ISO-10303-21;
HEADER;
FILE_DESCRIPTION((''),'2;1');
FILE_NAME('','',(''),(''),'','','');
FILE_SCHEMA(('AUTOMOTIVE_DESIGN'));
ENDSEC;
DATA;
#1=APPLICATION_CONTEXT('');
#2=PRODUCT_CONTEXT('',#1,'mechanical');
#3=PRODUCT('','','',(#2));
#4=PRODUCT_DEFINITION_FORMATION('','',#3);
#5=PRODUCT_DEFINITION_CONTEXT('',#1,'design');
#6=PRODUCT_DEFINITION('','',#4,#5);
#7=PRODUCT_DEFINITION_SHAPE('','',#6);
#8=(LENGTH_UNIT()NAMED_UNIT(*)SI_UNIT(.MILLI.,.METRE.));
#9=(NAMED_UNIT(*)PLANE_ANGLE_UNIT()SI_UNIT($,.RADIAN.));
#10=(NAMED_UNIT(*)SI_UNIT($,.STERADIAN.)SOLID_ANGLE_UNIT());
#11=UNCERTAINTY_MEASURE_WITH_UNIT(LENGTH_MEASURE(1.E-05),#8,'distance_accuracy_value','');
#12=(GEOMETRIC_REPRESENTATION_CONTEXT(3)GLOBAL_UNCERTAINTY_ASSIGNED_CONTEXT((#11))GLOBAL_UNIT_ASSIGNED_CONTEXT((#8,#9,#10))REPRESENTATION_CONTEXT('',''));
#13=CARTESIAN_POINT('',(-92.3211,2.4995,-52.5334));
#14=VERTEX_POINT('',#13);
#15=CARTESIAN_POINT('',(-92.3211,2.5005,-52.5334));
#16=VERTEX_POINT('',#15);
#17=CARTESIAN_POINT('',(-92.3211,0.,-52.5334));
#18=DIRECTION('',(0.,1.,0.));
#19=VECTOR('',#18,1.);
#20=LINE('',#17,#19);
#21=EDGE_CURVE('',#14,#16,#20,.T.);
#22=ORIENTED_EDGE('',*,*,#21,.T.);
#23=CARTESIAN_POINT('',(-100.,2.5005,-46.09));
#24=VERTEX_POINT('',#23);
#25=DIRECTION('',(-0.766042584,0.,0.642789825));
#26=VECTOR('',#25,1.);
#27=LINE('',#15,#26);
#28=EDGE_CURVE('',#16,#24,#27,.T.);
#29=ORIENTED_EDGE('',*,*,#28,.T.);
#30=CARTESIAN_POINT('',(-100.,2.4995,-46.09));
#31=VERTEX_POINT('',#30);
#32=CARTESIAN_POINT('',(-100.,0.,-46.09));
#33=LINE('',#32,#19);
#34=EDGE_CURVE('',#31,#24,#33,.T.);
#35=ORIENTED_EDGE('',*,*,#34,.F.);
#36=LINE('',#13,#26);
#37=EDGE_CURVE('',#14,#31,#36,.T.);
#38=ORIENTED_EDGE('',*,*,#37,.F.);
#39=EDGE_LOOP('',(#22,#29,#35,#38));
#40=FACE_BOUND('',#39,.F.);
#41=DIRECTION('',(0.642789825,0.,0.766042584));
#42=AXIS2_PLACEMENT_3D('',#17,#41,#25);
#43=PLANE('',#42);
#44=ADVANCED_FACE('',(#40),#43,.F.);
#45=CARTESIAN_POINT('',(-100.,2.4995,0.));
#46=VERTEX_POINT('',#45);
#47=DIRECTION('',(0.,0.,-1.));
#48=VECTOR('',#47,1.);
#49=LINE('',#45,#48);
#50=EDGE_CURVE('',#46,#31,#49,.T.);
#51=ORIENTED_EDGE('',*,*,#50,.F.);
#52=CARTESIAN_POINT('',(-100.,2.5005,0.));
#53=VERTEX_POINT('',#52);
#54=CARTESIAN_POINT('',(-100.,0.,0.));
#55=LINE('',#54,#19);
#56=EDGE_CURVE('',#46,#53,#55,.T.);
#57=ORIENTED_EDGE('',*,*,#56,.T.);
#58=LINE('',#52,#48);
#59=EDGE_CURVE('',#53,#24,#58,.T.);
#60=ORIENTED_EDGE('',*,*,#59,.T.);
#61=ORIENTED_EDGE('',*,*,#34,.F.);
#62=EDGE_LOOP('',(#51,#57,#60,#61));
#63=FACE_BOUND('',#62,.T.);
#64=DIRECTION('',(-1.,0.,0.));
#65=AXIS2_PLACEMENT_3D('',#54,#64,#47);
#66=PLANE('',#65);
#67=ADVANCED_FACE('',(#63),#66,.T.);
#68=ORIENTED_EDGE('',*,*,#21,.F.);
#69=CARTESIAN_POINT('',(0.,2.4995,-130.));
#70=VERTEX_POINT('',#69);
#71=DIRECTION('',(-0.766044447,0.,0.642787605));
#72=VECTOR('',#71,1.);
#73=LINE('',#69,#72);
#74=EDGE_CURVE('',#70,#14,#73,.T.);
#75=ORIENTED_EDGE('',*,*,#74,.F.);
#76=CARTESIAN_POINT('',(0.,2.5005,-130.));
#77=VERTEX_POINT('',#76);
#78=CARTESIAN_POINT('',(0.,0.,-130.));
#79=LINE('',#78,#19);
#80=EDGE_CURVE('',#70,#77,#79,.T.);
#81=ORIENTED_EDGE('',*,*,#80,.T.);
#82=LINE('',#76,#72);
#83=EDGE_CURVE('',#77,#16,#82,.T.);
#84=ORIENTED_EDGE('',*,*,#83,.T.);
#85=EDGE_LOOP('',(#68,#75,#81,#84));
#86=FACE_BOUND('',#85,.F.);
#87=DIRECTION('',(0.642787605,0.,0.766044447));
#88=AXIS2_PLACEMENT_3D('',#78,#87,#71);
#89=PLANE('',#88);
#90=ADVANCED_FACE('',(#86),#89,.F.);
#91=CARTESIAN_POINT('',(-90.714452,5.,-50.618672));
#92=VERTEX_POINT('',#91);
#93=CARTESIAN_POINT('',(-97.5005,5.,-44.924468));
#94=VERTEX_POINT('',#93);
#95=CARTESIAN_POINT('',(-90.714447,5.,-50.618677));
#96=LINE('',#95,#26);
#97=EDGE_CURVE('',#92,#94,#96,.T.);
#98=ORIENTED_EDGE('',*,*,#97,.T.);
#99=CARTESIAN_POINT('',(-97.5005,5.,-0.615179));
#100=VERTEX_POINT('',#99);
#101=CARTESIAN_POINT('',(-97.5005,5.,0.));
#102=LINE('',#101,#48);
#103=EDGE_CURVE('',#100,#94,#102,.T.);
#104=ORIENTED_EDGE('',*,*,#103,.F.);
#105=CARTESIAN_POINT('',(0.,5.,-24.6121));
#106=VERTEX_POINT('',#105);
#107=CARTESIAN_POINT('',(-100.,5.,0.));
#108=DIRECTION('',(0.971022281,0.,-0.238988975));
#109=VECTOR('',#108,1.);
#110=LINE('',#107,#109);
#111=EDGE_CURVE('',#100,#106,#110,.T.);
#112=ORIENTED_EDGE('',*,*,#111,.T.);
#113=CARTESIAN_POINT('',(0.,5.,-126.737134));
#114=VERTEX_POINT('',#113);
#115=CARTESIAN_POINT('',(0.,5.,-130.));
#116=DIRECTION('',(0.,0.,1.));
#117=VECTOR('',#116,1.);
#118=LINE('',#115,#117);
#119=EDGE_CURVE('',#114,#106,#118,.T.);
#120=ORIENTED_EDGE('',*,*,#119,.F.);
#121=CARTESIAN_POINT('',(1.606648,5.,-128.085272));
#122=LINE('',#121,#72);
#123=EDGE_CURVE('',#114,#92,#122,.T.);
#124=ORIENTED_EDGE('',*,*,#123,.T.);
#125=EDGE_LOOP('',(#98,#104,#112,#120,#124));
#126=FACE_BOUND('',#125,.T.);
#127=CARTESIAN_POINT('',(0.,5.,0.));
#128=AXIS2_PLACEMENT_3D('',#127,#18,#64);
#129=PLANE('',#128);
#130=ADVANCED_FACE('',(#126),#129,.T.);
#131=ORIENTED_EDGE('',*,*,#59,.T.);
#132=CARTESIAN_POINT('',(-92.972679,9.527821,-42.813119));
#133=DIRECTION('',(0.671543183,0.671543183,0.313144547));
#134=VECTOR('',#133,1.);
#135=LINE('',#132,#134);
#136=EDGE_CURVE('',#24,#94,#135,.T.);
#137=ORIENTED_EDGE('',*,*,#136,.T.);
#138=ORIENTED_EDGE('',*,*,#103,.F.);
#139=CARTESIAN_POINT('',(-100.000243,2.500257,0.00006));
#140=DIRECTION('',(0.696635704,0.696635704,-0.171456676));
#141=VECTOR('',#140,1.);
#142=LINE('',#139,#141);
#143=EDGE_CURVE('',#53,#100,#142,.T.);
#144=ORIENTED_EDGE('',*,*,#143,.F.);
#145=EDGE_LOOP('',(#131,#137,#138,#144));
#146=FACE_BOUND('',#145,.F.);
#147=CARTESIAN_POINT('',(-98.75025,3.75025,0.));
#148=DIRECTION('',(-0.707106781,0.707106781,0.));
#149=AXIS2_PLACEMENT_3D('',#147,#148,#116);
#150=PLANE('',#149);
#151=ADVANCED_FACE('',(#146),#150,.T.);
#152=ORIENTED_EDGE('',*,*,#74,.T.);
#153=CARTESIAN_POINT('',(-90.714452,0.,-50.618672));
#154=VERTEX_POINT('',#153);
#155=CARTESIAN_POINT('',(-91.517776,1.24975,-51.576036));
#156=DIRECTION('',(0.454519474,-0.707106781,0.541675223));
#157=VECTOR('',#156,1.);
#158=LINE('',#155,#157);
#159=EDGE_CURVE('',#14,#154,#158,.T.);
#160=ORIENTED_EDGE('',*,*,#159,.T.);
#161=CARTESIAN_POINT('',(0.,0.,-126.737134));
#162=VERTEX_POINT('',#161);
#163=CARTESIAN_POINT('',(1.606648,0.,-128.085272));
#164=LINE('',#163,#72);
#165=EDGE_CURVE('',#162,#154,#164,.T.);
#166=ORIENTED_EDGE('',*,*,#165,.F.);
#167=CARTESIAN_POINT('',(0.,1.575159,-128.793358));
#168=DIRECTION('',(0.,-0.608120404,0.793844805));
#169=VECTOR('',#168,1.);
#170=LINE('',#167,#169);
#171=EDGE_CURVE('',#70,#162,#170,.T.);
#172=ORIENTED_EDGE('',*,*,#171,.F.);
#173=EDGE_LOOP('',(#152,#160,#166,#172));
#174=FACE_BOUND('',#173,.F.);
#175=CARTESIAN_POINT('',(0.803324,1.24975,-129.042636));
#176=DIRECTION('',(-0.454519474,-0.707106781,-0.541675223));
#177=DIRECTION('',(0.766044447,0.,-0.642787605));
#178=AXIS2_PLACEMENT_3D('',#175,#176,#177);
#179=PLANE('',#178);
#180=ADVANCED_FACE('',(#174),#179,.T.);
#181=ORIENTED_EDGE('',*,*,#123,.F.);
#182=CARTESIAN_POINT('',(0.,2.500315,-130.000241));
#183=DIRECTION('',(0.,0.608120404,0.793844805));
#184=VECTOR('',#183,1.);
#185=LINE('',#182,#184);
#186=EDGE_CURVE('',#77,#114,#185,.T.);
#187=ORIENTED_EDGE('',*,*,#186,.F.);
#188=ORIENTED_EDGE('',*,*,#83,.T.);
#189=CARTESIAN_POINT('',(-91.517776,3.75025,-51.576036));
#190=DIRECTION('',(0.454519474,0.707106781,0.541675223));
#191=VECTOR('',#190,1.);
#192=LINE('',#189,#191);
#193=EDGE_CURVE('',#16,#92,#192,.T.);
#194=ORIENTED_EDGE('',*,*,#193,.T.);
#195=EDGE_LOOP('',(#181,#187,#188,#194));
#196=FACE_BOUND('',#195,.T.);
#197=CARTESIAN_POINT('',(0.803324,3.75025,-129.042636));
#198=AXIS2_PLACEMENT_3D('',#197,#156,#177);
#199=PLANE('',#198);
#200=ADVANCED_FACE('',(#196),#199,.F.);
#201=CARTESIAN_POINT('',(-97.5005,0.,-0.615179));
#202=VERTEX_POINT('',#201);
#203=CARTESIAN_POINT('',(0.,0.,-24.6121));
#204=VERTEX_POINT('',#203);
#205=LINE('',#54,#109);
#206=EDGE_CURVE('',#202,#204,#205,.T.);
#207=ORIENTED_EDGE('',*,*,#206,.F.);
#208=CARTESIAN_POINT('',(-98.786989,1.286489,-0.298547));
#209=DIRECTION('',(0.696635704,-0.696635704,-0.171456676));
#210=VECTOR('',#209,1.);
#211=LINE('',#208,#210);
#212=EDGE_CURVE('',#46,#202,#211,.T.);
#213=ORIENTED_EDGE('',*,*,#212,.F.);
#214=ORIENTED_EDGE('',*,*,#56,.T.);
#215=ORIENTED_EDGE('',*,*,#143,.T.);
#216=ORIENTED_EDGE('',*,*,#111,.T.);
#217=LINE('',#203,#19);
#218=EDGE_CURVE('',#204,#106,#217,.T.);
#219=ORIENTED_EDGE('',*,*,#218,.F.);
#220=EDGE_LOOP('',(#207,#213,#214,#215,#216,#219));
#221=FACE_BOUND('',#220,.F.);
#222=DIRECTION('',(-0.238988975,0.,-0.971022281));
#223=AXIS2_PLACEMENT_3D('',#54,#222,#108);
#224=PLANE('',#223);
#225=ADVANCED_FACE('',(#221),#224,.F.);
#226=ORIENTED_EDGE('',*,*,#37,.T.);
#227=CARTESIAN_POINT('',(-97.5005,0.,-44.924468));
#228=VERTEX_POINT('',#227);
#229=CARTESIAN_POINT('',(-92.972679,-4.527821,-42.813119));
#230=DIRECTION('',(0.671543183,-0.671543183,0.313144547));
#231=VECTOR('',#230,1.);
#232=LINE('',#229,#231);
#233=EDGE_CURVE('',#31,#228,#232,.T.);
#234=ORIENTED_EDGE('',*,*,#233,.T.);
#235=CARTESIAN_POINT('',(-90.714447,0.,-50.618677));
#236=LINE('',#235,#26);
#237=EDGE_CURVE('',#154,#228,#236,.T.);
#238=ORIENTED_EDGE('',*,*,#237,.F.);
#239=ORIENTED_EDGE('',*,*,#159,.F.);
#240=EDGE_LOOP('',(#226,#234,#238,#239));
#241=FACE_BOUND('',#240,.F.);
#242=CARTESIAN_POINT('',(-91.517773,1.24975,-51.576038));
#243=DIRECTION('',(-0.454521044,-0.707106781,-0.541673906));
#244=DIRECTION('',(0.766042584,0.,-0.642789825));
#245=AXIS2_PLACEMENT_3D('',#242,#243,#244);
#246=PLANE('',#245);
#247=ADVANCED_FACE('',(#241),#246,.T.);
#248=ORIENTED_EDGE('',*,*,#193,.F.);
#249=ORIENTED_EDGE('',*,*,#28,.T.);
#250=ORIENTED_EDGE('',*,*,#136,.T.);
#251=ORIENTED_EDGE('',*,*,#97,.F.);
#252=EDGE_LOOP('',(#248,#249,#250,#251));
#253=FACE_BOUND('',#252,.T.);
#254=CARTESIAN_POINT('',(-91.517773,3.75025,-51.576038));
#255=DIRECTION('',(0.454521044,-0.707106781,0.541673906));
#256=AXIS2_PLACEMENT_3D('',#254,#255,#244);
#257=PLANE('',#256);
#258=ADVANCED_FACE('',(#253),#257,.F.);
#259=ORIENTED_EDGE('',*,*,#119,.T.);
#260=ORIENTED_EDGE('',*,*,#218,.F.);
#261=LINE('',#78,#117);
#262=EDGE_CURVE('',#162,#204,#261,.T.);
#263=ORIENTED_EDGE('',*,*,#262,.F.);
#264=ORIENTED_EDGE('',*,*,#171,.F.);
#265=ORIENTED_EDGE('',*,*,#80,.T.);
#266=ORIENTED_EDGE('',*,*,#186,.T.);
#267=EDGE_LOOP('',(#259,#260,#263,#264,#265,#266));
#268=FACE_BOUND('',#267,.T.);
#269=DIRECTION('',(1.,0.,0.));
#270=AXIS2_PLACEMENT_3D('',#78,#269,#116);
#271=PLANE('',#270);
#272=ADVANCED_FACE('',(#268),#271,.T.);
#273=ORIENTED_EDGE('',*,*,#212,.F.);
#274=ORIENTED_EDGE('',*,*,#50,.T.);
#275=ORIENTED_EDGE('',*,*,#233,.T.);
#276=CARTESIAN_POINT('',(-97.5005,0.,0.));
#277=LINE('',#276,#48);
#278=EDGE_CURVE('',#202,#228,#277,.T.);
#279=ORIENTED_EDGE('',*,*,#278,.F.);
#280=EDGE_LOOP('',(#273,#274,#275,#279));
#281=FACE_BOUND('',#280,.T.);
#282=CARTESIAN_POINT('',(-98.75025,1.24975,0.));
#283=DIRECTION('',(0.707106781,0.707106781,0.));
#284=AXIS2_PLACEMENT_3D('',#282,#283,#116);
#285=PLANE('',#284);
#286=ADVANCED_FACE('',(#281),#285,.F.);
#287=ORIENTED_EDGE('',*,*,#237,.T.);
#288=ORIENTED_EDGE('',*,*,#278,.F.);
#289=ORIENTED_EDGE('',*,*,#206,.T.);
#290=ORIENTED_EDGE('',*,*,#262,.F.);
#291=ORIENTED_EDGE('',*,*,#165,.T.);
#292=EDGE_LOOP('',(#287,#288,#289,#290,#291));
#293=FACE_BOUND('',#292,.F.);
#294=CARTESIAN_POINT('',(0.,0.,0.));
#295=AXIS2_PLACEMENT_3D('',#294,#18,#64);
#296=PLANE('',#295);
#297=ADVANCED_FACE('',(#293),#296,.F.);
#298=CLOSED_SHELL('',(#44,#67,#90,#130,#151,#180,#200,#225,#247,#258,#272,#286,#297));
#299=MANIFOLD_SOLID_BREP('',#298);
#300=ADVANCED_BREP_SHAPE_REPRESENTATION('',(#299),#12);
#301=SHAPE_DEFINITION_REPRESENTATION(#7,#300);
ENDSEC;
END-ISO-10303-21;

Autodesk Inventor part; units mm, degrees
ref_plane "YZ Plane" through (0, 0, 0) normal (1, 0, 0) x (0, 1, 0)
ref_plane "XZ Plane" through (0, 0, 0) normal (0, 1, 0) x (-1, 0, 0)
ref_plane "XY Plane" through (0, 0, 0) normal (0, 0, 1) x (1, 0, 0)
sketch "스케치1" plane through (0, 0, 0) normal (0, 1, 0) x (-1, 0, 0)
  line L0 (0, 0) -> (100, 0)
  line L1 (100, 0) -> (100, -130)
  line L2 (100, -130) -> (0, -130)
  line L3 (0, -130) -> (0, 0)
  line L4 (0, -130) -> (92.3211, -52.5334)
  line L5 (0, -130) -> (120.5166, -130) construction
  line L6 (92.3211, -52.5334) -> (100, -46.09)
  line L7 (100, 0) -> (0, -24.6121)
  dimension "d0" = 100
  dimension "d1" = 130
  dimension "d2" = 40
extrude "돌출1" add sketch "스케치1" along normal blind 5 contours L1 L6 L4 L3 L7
chamfer "모따기1" distance 2.5 angle 45 4 edges at (-46.1605, 5, -91.2667) (-46.1605, 0, -91.2667) (-100, 5, -23.045) (-100, 0, -23.045)
properties part number "날개1"
